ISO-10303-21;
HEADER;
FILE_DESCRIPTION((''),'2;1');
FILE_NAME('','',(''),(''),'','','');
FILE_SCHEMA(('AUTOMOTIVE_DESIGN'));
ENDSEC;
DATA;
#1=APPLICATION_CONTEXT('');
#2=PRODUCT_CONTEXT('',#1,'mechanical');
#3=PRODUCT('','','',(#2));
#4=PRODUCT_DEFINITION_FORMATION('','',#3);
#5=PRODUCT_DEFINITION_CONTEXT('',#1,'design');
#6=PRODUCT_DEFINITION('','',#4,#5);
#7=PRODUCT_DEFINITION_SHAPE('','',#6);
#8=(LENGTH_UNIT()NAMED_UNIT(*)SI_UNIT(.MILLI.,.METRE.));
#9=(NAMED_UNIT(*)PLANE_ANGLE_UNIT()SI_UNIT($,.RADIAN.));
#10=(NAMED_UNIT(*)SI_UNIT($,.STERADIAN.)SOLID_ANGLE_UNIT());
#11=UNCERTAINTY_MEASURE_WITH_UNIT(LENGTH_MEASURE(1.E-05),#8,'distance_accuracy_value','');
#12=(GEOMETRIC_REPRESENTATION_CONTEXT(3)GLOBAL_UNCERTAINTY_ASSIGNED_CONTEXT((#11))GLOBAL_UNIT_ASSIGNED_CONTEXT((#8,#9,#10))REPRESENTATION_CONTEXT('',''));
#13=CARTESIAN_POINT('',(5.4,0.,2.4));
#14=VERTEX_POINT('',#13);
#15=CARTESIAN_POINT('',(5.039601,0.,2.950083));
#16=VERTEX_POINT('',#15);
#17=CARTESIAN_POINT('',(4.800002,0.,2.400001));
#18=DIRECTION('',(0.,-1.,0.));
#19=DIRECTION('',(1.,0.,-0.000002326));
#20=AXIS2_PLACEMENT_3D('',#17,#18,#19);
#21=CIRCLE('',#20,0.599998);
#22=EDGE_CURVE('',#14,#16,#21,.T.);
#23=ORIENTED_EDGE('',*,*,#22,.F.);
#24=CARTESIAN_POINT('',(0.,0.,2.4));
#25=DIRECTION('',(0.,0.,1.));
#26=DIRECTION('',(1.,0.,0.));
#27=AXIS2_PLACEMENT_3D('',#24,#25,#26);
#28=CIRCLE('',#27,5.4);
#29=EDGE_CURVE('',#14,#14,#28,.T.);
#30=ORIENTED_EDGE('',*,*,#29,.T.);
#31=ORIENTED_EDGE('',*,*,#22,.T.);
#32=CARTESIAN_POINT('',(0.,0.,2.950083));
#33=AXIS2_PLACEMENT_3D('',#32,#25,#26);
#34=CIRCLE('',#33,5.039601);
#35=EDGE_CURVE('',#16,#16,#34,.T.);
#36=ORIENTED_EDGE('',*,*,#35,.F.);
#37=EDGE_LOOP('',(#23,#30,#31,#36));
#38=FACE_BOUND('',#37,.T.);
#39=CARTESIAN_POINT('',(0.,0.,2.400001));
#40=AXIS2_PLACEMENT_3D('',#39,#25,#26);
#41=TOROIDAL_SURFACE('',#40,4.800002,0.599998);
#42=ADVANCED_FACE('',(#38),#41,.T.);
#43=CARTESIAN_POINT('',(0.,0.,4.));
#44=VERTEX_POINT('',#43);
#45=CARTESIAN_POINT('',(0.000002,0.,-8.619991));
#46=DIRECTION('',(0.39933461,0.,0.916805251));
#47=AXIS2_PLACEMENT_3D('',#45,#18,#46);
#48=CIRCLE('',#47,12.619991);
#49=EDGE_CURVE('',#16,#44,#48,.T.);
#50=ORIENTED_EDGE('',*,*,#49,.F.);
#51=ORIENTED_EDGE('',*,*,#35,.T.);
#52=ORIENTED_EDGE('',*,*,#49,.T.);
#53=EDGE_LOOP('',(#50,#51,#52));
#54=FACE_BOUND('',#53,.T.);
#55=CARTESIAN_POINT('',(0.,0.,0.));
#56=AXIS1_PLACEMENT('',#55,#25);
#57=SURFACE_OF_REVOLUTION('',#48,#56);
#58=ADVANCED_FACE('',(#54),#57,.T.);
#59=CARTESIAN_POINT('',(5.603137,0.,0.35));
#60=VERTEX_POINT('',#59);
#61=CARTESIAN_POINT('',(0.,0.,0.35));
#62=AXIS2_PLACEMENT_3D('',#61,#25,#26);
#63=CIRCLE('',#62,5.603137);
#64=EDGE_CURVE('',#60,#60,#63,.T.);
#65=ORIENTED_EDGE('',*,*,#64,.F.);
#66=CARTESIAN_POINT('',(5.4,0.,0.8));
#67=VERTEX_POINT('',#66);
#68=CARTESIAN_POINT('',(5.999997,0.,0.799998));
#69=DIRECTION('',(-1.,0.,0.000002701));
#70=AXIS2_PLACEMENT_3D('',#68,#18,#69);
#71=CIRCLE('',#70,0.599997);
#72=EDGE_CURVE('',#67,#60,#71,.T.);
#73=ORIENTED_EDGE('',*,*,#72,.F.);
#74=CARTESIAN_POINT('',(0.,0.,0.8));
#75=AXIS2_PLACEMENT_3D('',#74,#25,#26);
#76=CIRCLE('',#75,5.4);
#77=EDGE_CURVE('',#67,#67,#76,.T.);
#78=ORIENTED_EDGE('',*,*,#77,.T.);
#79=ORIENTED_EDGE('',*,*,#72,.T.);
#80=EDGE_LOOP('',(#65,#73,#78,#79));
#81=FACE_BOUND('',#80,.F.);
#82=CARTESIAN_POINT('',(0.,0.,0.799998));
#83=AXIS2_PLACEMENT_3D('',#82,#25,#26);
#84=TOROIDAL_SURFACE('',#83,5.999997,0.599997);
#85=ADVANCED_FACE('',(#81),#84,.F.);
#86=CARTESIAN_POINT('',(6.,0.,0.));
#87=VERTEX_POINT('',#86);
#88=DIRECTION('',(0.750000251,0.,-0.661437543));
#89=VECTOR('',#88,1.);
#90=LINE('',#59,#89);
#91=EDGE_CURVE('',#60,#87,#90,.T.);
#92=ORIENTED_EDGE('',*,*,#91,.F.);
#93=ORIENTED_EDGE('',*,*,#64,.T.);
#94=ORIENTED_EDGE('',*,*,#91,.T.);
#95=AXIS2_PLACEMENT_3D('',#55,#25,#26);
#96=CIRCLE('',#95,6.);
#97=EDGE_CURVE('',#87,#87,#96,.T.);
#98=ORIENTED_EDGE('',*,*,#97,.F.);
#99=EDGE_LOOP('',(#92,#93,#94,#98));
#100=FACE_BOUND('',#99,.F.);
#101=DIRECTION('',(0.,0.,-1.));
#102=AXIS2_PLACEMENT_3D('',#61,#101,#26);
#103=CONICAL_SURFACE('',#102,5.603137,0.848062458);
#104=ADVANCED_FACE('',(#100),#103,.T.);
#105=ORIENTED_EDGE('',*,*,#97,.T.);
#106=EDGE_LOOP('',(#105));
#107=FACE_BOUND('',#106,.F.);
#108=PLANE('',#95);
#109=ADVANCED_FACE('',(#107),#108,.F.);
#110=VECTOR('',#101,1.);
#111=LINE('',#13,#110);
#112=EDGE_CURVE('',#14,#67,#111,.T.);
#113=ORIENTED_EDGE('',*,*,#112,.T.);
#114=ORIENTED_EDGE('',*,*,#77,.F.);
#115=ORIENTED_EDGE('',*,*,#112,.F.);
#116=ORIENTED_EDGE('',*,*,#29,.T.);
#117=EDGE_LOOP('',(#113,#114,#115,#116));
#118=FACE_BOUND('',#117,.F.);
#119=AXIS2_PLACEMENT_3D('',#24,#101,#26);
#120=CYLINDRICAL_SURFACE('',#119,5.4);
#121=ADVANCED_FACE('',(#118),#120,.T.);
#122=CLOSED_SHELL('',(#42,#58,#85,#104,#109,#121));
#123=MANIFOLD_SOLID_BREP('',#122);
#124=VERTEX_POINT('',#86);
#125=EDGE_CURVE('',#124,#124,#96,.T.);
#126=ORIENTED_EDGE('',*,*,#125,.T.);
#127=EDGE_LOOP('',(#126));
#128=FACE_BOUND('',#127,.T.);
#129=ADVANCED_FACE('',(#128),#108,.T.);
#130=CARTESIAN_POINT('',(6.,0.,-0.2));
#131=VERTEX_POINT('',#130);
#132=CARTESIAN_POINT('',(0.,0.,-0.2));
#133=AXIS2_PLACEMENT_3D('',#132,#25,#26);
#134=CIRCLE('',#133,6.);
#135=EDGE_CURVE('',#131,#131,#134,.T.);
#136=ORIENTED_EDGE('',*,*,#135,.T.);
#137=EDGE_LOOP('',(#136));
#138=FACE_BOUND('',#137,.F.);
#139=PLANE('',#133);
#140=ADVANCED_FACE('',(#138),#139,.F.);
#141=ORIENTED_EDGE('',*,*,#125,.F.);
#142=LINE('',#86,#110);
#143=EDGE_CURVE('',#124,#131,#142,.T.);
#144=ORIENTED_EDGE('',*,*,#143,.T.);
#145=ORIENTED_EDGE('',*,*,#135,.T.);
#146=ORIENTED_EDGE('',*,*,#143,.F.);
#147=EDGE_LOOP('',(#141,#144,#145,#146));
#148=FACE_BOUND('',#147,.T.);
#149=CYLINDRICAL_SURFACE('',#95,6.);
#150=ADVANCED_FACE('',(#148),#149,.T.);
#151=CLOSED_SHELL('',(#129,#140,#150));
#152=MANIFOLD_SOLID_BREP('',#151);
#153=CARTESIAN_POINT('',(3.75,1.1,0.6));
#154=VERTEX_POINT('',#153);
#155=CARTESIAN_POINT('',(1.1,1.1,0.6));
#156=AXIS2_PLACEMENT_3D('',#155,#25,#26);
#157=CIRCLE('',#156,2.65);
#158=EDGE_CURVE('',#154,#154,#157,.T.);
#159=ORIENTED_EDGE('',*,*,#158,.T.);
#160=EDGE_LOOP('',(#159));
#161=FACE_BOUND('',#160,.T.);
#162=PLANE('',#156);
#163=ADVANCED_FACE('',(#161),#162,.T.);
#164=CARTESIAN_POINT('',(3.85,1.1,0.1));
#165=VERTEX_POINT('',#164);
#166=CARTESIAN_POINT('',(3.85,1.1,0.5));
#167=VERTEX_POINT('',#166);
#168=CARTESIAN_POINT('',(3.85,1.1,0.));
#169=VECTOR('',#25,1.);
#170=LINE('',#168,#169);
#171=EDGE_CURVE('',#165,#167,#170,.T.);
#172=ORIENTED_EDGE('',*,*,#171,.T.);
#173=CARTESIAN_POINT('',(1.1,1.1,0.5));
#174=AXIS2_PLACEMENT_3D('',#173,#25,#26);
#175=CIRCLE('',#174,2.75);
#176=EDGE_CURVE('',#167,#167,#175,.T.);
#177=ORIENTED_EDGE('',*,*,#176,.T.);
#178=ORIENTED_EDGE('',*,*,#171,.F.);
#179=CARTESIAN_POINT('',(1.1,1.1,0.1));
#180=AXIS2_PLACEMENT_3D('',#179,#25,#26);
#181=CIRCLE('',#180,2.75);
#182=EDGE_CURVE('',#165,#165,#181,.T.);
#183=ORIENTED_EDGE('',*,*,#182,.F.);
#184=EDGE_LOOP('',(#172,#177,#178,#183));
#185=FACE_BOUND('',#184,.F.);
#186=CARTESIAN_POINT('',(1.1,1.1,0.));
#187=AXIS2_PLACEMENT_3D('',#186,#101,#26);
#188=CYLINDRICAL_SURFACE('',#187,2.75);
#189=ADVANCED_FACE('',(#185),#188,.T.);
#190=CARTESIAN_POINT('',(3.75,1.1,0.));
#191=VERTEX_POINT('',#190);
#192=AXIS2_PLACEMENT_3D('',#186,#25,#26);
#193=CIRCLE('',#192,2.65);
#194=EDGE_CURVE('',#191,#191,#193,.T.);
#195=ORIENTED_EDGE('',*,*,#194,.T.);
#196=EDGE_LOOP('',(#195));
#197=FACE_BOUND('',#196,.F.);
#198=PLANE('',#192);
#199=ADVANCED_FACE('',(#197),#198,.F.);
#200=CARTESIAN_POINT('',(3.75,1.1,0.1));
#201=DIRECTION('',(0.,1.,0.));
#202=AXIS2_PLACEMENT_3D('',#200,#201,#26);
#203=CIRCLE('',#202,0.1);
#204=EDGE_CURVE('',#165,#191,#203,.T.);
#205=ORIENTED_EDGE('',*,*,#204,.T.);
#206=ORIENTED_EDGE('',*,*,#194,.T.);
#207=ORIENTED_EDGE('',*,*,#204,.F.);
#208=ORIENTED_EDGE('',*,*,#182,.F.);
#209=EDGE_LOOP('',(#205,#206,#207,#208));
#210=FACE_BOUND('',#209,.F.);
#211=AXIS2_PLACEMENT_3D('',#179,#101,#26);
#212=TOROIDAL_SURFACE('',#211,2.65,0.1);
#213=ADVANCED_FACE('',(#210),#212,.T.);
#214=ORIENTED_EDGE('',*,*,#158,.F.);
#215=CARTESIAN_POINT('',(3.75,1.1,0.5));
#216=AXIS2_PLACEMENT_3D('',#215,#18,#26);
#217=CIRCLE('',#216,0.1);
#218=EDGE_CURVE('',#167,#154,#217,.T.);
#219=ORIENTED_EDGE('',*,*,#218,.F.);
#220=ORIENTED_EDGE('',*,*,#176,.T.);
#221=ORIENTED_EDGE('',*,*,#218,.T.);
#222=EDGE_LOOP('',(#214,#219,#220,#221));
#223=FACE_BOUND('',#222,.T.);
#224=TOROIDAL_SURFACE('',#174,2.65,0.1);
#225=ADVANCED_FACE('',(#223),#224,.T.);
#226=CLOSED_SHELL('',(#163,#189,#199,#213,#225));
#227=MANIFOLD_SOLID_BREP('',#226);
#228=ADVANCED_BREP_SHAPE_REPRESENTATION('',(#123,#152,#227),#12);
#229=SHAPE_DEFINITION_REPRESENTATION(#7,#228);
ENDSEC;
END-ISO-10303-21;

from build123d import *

# Parameters (mm, degrees)
SKETCH009_R  = 6
PAD005_DEPTH = 0.2
SKETCH010_R  = 2.75
PAD006_DEPTH = 0.6
FILLET_R     = 0.1


with BuildPart() as body_clear_cover:
    # Sketch008 → Revolution (revolve)
    with BuildSketch(Plane.XZ):
        with BuildLine():
            Line((6, 0), (0, 0))
            Line((0, 0), (0, 4))
            ThreePointArc((5.039601, 2.950083), (2.573903, 3.734733), (0, 4))
            ThreePointArc((5.4, 2.4), (5.301877, 2.728816), (5.039601, 2.950083))
            Line((5.4, 2.4), (5.4, 0.8))
            ThreePointArc((5.4, 0.8), (5.453137, 0.553137), (5.603137, 0.35))
            Line((5.603137, 0.35), (6, 0))
        make_face()
    revolve(axis=Axis((0, 0, 0), (0, 0, 1)))


with BuildPart() as body_base:
    # Sketch009 → Pad005 (new body)
    with BuildSketch(Plane.XY):
        Circle(SKETCH009_R)
    extrude(amount=-PAD005_DEPTH)


with BuildPart() as body_pupil:
    # Sketch010 → Pad006 (new body)
    with BuildSketch(Plane.XY):
        with Locations((1.1, 1.1)):
            Circle(SKETCH010_R)
    extrude(amount=PAD006_DEPTH)

    # Fillet
    fillet_edges = [body_pupil.edges().sort_by_distance(p)[0] for p in [
        (-1.65, 1.1, 0),
        (-1.65, 1.1, 0.6),
    ]]
    fillet(fillet_edges, radius=FILLET_R)


solid = Compound([body_clear_cover.part, body_base.part, body_pupil.part])
